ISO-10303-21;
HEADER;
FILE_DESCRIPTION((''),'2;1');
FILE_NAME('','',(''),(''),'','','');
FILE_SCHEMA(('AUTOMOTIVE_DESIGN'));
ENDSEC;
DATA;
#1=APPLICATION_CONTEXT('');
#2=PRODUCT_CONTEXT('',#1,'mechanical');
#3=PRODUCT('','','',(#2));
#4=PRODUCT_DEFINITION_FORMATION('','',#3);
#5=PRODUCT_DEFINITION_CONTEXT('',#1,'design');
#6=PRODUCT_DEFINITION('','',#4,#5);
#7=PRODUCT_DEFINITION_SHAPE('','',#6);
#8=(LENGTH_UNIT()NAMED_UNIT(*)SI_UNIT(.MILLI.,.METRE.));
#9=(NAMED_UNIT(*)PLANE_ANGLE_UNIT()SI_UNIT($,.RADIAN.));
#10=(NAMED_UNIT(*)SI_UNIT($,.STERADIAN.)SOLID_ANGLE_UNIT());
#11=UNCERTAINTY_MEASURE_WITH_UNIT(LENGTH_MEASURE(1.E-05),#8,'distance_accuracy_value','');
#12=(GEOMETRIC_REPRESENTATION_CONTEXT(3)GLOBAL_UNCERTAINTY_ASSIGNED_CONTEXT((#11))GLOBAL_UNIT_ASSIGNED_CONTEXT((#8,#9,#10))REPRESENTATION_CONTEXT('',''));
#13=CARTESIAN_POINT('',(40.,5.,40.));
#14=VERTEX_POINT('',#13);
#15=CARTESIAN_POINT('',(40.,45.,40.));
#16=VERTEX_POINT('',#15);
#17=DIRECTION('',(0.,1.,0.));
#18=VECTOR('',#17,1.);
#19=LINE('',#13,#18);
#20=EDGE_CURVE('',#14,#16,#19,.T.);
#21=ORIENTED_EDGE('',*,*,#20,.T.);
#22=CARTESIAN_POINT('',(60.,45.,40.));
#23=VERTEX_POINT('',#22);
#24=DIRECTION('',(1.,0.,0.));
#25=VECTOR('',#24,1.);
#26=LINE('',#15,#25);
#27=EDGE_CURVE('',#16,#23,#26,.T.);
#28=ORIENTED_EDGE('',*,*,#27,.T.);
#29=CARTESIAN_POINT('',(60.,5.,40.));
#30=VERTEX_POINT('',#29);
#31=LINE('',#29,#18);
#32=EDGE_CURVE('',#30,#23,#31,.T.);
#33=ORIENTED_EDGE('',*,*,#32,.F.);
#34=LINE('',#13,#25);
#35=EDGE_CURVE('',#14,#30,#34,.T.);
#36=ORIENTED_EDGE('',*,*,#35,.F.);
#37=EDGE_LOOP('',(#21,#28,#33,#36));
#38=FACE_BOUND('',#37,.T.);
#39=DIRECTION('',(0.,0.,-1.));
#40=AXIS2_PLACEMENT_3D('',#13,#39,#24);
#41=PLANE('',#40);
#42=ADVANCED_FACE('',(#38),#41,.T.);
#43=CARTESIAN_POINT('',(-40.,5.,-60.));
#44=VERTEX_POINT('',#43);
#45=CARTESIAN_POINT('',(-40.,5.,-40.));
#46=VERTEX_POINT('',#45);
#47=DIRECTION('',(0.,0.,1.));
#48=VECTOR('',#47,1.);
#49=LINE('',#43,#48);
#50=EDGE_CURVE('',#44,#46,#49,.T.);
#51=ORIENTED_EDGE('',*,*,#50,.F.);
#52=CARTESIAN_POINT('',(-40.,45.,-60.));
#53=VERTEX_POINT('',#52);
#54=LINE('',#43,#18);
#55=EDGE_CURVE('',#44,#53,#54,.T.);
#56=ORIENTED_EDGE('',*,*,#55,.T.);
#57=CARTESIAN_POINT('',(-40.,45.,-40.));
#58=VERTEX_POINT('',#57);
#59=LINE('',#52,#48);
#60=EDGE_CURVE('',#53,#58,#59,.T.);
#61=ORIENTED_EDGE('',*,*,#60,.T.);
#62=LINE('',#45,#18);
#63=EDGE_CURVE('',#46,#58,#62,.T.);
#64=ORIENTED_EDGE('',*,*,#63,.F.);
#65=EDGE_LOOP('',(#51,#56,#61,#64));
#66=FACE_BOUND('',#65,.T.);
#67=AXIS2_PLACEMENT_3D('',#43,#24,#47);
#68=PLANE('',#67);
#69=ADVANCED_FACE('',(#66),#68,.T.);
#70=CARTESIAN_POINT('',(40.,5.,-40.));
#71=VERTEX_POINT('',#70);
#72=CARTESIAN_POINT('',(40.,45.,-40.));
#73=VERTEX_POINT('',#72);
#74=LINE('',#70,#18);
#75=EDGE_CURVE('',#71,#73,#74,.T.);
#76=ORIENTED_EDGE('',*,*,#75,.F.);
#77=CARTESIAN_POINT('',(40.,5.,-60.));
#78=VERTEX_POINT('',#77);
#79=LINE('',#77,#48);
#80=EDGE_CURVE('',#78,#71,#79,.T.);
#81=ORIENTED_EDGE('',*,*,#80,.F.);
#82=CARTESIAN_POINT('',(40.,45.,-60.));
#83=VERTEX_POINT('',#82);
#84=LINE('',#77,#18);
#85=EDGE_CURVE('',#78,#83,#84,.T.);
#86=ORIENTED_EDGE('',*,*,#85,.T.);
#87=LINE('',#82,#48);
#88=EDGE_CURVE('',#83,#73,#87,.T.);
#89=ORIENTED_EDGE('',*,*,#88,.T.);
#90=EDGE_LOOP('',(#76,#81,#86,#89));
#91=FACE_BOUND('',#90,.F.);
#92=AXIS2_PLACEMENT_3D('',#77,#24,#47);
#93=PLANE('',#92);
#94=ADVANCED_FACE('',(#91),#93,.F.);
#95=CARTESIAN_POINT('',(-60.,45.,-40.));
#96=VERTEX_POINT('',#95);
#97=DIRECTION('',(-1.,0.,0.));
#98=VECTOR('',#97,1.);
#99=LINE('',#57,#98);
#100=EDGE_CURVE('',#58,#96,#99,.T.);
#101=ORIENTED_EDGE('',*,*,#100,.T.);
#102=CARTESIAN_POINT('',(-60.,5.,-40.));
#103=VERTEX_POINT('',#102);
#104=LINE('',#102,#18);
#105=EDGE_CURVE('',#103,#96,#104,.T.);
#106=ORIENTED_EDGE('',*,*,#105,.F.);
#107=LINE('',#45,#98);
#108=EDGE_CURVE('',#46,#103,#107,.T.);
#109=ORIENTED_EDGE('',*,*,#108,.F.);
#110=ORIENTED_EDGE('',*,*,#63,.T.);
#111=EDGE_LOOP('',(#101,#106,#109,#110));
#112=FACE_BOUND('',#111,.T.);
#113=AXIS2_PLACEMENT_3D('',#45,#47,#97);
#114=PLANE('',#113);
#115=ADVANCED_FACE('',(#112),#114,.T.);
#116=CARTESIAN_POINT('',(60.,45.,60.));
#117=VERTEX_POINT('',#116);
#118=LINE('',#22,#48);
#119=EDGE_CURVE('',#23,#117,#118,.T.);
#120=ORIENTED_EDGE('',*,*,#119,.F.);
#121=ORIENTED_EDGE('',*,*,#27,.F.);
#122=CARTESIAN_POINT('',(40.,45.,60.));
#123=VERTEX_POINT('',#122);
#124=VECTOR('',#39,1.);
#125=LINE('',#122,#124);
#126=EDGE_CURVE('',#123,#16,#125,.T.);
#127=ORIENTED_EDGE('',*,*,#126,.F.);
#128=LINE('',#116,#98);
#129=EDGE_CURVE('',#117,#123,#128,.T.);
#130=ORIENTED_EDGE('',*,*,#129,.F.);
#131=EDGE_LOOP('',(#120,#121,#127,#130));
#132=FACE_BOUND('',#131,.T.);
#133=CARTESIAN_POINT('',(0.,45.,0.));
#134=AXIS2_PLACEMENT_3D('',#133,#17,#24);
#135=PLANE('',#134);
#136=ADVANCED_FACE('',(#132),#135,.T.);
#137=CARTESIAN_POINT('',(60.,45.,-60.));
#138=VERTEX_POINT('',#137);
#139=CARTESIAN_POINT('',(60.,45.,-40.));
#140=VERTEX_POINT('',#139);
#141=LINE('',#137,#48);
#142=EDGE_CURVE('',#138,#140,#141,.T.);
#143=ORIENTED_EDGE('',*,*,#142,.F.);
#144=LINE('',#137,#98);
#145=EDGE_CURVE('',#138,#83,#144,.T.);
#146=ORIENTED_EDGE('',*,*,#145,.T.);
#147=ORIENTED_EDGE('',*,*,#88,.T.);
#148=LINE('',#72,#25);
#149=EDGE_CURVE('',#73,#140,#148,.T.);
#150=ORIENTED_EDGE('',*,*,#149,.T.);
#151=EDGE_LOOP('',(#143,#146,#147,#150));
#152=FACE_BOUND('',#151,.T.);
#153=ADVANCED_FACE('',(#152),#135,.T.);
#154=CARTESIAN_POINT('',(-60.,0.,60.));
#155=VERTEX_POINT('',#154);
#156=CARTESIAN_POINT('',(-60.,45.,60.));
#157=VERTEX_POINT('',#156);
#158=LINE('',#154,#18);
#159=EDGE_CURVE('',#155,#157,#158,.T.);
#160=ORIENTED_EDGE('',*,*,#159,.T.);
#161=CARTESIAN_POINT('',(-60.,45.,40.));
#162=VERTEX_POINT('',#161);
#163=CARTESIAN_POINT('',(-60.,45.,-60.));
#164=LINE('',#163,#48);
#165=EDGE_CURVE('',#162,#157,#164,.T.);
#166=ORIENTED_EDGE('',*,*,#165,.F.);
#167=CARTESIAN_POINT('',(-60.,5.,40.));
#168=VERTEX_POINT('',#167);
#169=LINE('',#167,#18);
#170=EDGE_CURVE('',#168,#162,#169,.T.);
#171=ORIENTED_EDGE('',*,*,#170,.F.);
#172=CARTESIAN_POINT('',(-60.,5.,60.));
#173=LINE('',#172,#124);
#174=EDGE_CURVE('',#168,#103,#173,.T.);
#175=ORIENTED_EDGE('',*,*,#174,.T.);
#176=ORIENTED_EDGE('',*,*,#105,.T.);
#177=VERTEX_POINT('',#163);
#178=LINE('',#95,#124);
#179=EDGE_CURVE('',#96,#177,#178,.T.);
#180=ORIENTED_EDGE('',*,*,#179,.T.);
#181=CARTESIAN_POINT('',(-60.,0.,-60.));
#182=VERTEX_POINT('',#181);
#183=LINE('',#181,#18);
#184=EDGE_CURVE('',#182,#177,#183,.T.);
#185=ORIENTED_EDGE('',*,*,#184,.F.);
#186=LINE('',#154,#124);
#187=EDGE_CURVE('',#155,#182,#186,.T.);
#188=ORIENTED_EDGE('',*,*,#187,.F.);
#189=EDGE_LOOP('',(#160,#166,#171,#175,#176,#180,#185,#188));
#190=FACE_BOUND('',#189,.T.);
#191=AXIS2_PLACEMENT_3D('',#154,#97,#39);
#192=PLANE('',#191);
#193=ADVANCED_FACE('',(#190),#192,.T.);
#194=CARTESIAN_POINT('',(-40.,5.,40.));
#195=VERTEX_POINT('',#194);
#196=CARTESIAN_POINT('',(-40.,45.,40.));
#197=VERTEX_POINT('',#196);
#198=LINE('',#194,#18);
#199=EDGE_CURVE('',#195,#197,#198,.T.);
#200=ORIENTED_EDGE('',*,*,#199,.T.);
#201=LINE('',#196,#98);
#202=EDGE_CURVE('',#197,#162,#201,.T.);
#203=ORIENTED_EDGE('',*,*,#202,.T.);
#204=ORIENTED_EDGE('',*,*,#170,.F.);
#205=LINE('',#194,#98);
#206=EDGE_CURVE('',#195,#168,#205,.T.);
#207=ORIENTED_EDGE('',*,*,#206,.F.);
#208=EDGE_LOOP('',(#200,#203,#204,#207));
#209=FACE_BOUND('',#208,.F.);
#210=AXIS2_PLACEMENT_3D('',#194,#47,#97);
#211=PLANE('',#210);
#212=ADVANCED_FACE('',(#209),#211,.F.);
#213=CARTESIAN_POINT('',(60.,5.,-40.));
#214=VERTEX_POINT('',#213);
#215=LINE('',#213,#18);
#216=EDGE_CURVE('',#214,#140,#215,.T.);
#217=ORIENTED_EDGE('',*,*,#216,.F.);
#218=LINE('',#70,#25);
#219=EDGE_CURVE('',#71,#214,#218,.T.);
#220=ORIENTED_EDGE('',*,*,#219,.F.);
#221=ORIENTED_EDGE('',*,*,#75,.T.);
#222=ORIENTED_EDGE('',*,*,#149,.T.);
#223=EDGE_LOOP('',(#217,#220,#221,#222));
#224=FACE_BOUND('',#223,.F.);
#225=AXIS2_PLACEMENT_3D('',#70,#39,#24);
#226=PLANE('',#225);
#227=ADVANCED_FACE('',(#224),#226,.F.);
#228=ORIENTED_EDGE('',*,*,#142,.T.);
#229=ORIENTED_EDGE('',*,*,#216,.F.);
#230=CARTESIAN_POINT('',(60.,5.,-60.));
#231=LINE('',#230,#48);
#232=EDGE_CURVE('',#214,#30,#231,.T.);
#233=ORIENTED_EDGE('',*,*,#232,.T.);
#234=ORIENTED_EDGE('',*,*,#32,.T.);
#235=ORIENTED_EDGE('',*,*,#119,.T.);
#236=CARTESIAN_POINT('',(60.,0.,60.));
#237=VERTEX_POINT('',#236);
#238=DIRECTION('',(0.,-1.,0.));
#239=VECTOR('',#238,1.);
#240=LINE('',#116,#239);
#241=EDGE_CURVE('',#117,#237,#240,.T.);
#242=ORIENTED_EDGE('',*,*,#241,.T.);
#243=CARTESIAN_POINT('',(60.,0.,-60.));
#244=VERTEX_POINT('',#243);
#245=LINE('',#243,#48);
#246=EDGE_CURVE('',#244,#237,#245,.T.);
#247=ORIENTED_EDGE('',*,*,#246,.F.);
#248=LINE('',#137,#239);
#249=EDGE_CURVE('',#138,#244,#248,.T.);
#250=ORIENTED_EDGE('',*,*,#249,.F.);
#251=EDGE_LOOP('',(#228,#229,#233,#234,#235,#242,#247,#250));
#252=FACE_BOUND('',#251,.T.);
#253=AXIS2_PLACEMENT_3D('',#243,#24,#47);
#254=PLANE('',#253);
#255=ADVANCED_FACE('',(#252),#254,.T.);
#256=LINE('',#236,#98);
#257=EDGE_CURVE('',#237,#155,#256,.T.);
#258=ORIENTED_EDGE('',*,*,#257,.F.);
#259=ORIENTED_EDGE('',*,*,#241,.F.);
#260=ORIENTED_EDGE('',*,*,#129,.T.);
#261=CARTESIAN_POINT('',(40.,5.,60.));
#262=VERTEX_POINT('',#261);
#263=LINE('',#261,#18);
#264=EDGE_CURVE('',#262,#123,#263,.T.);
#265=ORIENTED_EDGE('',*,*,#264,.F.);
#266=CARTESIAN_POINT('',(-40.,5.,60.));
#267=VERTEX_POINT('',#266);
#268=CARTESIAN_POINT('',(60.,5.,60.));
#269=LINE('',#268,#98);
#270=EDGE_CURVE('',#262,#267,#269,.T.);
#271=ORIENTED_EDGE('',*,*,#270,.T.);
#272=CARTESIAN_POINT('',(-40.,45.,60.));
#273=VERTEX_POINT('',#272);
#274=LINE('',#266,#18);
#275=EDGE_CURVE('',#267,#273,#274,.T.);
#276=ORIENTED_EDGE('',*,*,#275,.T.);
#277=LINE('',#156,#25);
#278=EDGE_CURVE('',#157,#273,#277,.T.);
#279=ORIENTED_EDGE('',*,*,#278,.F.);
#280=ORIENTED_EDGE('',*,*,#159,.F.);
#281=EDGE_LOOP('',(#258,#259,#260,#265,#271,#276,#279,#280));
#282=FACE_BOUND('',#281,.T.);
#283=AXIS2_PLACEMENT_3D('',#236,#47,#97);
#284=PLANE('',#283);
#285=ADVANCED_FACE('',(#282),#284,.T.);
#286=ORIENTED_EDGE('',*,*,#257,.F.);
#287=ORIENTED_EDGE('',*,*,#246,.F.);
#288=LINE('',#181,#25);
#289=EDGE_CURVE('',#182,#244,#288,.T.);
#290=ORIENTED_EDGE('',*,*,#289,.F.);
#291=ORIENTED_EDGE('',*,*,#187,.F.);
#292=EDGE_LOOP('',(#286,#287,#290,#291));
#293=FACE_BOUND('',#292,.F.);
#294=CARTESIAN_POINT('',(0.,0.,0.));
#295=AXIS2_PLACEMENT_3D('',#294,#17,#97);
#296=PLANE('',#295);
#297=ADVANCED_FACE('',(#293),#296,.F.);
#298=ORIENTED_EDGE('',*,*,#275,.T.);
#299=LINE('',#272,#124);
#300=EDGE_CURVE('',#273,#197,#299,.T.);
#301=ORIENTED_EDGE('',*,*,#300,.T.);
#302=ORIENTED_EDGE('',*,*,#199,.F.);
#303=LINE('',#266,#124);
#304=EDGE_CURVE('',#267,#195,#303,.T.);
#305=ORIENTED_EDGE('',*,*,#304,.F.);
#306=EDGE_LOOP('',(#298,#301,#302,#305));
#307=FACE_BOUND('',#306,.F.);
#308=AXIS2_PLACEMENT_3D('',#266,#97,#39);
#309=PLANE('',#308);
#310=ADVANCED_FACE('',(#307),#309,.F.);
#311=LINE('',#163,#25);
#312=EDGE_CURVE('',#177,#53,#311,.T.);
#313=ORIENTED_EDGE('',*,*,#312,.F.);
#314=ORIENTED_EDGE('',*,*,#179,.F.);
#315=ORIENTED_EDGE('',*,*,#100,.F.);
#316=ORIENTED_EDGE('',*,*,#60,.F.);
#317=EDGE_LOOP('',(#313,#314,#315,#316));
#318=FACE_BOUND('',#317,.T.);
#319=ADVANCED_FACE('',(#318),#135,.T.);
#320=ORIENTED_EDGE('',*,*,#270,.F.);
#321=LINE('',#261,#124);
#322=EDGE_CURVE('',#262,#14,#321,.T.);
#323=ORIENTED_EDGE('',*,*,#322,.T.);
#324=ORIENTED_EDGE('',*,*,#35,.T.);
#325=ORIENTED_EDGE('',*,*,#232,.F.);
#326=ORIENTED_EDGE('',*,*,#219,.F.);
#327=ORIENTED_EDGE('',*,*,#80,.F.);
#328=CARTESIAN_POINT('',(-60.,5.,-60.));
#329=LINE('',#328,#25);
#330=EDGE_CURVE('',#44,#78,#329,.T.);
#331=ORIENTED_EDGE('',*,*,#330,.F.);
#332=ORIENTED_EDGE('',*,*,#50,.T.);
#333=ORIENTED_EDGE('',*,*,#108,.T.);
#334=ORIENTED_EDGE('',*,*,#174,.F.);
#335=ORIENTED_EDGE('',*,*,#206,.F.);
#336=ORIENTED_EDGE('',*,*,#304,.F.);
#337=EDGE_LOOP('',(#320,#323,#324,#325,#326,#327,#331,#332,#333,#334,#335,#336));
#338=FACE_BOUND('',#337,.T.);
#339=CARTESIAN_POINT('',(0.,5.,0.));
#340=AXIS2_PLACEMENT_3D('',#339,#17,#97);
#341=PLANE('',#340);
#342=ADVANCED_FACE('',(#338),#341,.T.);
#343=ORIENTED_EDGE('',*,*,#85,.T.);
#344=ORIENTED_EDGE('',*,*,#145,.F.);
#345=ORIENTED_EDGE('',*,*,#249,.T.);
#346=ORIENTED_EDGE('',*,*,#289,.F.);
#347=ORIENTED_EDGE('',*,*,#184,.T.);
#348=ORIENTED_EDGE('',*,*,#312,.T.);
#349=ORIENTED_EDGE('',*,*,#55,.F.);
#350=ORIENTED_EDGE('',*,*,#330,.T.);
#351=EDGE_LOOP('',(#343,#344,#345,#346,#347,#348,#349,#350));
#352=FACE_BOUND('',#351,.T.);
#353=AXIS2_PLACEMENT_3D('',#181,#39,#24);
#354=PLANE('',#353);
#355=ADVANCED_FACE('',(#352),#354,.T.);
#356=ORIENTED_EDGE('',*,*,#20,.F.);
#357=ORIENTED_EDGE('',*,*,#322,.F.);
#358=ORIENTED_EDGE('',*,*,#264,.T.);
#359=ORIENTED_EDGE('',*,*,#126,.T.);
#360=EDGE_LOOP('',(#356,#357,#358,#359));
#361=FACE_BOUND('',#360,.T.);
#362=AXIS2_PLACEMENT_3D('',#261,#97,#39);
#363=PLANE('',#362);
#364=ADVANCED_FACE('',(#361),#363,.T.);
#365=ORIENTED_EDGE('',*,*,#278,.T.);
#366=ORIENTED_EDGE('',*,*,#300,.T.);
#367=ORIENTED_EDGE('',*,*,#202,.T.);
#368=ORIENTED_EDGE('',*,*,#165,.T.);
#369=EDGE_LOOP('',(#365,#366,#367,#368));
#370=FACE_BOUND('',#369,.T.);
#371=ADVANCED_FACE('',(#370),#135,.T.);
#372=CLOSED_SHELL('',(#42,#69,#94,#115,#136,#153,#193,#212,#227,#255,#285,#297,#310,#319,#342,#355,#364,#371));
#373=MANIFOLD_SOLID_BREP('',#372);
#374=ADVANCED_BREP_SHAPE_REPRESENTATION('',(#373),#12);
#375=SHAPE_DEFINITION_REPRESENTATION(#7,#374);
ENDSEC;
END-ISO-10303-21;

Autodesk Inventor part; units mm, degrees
ref_plane "YZ Plane" through (0, 0, 0) normal (1, 0, 0) x (0, 1, 0)
ref_plane "XZ Plane" through (0, 0, 0) normal (0, 1, 0) x (-1, 0, 0)
ref_plane "XY Plane" through (0, 0, 0) normal (0, 0, 1) x (1, 0, 0)
sketch "Sketch1" plane through (0, 0, 0) normal (0, 1, 0) x (-1, 0, 0)
  line L0 (60, -60) -> (-60, -60)
  line L1 (-60, -60) -> (-60, 60)
  line L2 (-60, 60) -> (60, 60)
  line L3 (60, 60) -> (60, -60)
  point P0 (0, 0)
  dimension "d0" = 120
  dimension "d1" = 120
  dimension "d2" = 60
  dimension "d3" = 60
extrude "Extrusion1" add sketch "Sketch1" along normal blind 5
sketch "Sketch2" plane through (0, 5, 0) normal (0, 1, 0) x (1, 0, 0)
  line L0 (-40, 40) -> (-60, 40)
  line L1 (-60, 40) -> (-60, 60)
  line L2 (-60, 60) -> (-40, 60)
  line L3 (-40, 60) -> (-40, 40)
  line L4 (60, -60) -> (40, -60)
  line L5 (40, -60) -> (40, -40)
  line L6 (40, -40) -> (60, -40)
  line L7 (60, -40) -> (60, -60)
  line L8 (60, 60) -> (60, -60) projected
  line L9 (-60, -60) -> (60, -60) projected
  line L10 (60, 60) -> (-60, 60) projected
  line L11 (60, 60) -> (40, 60)
  line L12 (40, 60) -> (40, 40)
  line L13 (40, 40) -> (60, 40)
  line L14 (60, 40) -> (60, 60)
  line L15 (-60, 60) -> (-60, -60) projected
  line L16 (-60, -60) -> (-40, -60)
  line L17 (-40, -60) -> (-40, -40)
  line L18 (-40, -40) -> (-60, -40)
  line L19 (-60, -40) -> (-60, -60)
  point P0 (0, 0)
  dimension "d6" = 20
  dimension "d7" = 20
  dimension "d8" = 20
  dimension "d9" = 20
  dimension "d10" = 0
  dimension "d11" = 0
  dimension "d12" = 20
  dimension "d13" = 20
  dimension "d14" = 20
  dimension "d15" = 20
extrude "Extrusion2" add sketch "Sketch2" along normal blind 40 contours L0 L1 L2 L3 | L18 L17 L9 L15 | L10 L8 L13 L12 | L5 L6 L7 L4
equation "\"d1\" = d0"
equation "\"d2\" = 0.5 * d0"
equation "\"d3\" = 0.5 * d0"
equation "\"d7\" = d6"
equation "\"d8\" = d6"
equation "\"d9\" = d6"
equation "\"d12\" = d6"
equation "\"d13\" = d6"
equation "\"d14\" = d6"
equation "\"d15\" = d6"
properties part number "FalseFloor" material "ABS Plastic"
